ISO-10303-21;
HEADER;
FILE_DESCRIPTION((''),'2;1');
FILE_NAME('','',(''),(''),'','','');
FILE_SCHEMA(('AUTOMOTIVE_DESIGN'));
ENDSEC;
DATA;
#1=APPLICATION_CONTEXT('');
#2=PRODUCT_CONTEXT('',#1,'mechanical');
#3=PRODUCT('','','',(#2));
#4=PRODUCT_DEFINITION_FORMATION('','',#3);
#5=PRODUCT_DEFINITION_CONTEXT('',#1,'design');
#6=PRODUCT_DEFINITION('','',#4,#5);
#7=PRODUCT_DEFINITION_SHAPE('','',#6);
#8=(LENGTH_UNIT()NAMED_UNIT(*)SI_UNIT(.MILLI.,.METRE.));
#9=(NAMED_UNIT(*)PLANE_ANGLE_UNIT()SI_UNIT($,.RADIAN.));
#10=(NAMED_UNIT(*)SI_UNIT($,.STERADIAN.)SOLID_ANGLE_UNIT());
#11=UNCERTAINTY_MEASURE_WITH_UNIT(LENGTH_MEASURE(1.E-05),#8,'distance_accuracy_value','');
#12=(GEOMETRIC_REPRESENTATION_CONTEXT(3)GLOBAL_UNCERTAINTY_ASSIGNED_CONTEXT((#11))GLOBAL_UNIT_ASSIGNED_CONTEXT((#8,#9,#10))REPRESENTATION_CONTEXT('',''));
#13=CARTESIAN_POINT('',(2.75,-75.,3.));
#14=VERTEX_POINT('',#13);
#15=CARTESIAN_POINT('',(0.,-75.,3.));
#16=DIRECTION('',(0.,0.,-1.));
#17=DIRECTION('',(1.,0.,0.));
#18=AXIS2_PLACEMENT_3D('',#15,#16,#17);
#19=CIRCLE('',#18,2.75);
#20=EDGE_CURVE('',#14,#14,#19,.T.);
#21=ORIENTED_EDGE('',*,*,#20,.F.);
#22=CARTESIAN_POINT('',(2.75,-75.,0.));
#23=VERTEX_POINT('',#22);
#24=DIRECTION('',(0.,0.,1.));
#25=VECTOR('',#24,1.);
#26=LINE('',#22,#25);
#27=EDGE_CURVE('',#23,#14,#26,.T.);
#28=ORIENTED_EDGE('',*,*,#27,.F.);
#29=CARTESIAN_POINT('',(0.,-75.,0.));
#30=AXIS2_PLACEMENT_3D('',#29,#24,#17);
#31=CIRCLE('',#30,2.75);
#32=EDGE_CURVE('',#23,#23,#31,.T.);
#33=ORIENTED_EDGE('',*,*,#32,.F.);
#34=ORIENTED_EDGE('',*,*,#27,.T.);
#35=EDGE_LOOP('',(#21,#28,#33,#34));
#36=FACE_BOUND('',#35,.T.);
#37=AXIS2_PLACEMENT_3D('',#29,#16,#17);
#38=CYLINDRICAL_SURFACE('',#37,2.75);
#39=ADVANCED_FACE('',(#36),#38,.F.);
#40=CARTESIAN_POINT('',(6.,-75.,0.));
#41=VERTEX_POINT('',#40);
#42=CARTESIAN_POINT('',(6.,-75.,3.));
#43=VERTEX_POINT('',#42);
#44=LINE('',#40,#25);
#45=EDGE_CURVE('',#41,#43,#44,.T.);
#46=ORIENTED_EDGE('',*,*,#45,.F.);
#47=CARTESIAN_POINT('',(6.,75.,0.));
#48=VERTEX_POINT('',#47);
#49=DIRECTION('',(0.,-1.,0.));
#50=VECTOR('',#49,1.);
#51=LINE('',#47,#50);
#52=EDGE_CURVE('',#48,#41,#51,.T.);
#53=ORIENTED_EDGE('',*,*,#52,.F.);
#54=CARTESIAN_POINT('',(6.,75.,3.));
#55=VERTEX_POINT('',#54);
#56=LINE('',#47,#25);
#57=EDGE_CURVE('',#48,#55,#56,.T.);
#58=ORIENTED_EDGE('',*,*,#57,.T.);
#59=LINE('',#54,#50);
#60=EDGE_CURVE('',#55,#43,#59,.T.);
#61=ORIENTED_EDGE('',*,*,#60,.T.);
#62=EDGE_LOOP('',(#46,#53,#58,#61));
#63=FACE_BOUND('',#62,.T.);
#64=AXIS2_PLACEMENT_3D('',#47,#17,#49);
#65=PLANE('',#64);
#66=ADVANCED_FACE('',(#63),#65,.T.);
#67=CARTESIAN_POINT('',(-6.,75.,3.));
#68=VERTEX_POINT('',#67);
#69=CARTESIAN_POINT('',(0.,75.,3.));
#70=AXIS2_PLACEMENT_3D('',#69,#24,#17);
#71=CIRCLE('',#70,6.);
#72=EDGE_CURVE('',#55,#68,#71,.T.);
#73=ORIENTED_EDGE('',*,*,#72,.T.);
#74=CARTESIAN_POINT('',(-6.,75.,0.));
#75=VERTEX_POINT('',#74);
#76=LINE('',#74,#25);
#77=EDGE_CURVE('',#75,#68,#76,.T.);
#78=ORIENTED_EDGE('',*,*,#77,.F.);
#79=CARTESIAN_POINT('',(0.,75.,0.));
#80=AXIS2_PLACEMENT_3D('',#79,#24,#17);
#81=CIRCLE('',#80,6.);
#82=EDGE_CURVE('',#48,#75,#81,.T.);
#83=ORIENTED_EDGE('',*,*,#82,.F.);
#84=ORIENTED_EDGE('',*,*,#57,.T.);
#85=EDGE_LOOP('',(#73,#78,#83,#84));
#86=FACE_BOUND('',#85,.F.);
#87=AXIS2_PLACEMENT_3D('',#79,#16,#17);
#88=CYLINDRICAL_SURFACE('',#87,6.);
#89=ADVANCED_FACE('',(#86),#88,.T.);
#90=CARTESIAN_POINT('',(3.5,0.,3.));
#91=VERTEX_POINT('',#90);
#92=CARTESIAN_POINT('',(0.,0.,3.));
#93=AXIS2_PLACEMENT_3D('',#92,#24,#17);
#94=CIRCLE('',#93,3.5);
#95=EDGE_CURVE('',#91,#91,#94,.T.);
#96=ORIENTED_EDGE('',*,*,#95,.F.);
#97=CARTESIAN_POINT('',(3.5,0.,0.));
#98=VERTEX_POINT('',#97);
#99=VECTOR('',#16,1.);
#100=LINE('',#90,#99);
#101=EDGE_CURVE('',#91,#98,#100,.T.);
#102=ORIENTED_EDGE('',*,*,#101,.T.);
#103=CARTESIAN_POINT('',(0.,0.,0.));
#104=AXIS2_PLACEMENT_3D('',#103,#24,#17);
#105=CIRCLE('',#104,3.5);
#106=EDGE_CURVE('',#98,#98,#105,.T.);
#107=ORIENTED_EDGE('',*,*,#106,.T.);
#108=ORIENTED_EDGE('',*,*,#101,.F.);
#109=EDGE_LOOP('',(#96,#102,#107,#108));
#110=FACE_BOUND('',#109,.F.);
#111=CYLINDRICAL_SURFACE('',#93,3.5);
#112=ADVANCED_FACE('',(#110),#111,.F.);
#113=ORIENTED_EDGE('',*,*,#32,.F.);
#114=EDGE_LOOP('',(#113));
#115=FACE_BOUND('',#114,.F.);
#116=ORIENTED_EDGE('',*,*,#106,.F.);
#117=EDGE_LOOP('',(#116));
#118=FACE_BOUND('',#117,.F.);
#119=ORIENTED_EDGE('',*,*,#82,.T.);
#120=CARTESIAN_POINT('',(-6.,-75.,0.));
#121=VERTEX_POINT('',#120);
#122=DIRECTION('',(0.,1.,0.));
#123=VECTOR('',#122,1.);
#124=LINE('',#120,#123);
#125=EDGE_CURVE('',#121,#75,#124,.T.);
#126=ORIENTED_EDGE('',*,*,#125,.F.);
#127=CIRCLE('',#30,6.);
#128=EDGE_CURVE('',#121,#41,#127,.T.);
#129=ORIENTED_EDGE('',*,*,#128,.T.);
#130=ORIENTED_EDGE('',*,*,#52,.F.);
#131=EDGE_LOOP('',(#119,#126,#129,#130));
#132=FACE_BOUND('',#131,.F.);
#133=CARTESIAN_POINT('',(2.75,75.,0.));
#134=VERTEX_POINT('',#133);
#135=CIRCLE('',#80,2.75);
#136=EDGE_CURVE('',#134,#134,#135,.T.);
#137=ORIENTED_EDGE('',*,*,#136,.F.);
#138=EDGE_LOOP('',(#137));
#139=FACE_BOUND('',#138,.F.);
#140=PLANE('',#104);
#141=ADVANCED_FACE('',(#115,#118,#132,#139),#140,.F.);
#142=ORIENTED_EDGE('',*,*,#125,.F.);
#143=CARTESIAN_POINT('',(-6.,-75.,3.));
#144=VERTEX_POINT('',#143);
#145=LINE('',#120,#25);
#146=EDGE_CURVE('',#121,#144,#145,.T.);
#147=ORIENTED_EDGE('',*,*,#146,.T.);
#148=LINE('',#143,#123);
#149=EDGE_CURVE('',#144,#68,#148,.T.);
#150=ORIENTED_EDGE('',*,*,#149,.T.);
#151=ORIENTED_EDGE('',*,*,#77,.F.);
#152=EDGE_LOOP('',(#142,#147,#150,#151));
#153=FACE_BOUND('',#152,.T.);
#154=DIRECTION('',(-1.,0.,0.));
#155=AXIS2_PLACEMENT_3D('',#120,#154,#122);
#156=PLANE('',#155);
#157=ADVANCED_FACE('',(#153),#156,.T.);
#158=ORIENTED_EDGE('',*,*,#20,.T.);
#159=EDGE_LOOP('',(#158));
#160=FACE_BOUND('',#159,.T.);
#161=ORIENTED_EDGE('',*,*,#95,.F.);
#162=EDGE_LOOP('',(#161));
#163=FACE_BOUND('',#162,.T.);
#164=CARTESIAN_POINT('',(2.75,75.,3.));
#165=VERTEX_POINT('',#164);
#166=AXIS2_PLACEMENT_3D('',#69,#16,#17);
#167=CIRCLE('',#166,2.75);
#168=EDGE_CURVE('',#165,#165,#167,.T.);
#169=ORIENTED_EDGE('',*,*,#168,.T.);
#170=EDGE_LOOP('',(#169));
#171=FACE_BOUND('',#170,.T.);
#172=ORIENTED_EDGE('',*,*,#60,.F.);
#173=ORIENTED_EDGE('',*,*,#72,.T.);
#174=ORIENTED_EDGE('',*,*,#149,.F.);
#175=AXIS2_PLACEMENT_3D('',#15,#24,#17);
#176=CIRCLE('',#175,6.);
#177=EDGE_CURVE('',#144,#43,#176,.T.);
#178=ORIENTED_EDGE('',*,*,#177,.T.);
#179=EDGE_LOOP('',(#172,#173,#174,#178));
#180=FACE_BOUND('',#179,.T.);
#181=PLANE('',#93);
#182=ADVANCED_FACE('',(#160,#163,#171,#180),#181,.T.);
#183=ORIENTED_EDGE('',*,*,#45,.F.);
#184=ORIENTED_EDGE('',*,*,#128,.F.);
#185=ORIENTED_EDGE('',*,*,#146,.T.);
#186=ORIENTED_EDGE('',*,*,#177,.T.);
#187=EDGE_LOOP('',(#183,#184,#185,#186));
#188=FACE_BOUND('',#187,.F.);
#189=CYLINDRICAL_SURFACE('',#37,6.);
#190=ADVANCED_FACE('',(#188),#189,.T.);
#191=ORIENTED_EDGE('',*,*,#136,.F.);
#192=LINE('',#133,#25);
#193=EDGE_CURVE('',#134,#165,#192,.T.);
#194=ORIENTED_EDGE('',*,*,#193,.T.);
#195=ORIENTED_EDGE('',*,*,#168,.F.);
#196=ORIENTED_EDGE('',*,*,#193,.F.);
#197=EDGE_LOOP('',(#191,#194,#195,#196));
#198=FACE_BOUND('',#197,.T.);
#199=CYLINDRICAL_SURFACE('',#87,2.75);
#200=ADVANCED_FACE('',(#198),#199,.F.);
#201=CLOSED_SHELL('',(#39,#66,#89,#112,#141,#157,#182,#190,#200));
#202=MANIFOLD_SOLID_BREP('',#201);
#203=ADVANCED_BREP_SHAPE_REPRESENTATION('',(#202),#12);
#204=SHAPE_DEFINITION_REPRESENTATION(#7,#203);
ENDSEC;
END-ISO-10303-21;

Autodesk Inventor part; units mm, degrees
ref_plane "YZ Plane" through (0, 0, 0) normal (1, 0, 0) x (0, 1, 0)
ref_plane "XZ Plane" through (0, 0, 0) normal (0, 1, 0) x (-1, 0, 0)
ref_plane "XY Plane" through (0, 0, 0) normal (0, 0, 1) x (1, 0, 0)
sketch "Sketch1" plane through (0, 0, 0) normal (0, 0, 1) x (1, 0, 0)
  line L0 (6, -75) -> (-6, -75)
  line L1 (-6, -75) -> (-6, 75)
  line L2 (-6, 75) -> (6, 75)
  line L3 (6, 75) -> (6, -75)
  line L4 (6, -75) -> (-6, 75) construction
  line L5 (-6, -75) -> (6, 75) construction
  circle A0 centre (0, 75) radius 6
  circle A1 centre (0, -75) radius 6
  circle A2 centre (0, -75) radius 2.75
  circle A3 centre (0, 75) radius 2.75
  point P0 (0, 0)
  point P1 (-6, 75)
  dimension "d0" = 12
  dimension "d1" = 150
  dimension "d2" = 5.5
  dimension "d3" = 5.5
extrude "Extrusion1" add sketch "Sketch1" along normal blind 3 contours A1 L0 A2 | A1 L1 A0 L3 | L0 A2 A1 | A0 L2 A3 | L2 A3 A0
sketch "Sketch2" plane through (0, 0, 3) normal (0, 0, 1) x (1, 0, 0)
  circle A0 centre (0, 0) radius 3.5
  dimension "d6" = 7
extrude "Extrusion2" cut sketch "Sketch2" against normal blind 5
properties part number "FP V2 Spring Beam"
